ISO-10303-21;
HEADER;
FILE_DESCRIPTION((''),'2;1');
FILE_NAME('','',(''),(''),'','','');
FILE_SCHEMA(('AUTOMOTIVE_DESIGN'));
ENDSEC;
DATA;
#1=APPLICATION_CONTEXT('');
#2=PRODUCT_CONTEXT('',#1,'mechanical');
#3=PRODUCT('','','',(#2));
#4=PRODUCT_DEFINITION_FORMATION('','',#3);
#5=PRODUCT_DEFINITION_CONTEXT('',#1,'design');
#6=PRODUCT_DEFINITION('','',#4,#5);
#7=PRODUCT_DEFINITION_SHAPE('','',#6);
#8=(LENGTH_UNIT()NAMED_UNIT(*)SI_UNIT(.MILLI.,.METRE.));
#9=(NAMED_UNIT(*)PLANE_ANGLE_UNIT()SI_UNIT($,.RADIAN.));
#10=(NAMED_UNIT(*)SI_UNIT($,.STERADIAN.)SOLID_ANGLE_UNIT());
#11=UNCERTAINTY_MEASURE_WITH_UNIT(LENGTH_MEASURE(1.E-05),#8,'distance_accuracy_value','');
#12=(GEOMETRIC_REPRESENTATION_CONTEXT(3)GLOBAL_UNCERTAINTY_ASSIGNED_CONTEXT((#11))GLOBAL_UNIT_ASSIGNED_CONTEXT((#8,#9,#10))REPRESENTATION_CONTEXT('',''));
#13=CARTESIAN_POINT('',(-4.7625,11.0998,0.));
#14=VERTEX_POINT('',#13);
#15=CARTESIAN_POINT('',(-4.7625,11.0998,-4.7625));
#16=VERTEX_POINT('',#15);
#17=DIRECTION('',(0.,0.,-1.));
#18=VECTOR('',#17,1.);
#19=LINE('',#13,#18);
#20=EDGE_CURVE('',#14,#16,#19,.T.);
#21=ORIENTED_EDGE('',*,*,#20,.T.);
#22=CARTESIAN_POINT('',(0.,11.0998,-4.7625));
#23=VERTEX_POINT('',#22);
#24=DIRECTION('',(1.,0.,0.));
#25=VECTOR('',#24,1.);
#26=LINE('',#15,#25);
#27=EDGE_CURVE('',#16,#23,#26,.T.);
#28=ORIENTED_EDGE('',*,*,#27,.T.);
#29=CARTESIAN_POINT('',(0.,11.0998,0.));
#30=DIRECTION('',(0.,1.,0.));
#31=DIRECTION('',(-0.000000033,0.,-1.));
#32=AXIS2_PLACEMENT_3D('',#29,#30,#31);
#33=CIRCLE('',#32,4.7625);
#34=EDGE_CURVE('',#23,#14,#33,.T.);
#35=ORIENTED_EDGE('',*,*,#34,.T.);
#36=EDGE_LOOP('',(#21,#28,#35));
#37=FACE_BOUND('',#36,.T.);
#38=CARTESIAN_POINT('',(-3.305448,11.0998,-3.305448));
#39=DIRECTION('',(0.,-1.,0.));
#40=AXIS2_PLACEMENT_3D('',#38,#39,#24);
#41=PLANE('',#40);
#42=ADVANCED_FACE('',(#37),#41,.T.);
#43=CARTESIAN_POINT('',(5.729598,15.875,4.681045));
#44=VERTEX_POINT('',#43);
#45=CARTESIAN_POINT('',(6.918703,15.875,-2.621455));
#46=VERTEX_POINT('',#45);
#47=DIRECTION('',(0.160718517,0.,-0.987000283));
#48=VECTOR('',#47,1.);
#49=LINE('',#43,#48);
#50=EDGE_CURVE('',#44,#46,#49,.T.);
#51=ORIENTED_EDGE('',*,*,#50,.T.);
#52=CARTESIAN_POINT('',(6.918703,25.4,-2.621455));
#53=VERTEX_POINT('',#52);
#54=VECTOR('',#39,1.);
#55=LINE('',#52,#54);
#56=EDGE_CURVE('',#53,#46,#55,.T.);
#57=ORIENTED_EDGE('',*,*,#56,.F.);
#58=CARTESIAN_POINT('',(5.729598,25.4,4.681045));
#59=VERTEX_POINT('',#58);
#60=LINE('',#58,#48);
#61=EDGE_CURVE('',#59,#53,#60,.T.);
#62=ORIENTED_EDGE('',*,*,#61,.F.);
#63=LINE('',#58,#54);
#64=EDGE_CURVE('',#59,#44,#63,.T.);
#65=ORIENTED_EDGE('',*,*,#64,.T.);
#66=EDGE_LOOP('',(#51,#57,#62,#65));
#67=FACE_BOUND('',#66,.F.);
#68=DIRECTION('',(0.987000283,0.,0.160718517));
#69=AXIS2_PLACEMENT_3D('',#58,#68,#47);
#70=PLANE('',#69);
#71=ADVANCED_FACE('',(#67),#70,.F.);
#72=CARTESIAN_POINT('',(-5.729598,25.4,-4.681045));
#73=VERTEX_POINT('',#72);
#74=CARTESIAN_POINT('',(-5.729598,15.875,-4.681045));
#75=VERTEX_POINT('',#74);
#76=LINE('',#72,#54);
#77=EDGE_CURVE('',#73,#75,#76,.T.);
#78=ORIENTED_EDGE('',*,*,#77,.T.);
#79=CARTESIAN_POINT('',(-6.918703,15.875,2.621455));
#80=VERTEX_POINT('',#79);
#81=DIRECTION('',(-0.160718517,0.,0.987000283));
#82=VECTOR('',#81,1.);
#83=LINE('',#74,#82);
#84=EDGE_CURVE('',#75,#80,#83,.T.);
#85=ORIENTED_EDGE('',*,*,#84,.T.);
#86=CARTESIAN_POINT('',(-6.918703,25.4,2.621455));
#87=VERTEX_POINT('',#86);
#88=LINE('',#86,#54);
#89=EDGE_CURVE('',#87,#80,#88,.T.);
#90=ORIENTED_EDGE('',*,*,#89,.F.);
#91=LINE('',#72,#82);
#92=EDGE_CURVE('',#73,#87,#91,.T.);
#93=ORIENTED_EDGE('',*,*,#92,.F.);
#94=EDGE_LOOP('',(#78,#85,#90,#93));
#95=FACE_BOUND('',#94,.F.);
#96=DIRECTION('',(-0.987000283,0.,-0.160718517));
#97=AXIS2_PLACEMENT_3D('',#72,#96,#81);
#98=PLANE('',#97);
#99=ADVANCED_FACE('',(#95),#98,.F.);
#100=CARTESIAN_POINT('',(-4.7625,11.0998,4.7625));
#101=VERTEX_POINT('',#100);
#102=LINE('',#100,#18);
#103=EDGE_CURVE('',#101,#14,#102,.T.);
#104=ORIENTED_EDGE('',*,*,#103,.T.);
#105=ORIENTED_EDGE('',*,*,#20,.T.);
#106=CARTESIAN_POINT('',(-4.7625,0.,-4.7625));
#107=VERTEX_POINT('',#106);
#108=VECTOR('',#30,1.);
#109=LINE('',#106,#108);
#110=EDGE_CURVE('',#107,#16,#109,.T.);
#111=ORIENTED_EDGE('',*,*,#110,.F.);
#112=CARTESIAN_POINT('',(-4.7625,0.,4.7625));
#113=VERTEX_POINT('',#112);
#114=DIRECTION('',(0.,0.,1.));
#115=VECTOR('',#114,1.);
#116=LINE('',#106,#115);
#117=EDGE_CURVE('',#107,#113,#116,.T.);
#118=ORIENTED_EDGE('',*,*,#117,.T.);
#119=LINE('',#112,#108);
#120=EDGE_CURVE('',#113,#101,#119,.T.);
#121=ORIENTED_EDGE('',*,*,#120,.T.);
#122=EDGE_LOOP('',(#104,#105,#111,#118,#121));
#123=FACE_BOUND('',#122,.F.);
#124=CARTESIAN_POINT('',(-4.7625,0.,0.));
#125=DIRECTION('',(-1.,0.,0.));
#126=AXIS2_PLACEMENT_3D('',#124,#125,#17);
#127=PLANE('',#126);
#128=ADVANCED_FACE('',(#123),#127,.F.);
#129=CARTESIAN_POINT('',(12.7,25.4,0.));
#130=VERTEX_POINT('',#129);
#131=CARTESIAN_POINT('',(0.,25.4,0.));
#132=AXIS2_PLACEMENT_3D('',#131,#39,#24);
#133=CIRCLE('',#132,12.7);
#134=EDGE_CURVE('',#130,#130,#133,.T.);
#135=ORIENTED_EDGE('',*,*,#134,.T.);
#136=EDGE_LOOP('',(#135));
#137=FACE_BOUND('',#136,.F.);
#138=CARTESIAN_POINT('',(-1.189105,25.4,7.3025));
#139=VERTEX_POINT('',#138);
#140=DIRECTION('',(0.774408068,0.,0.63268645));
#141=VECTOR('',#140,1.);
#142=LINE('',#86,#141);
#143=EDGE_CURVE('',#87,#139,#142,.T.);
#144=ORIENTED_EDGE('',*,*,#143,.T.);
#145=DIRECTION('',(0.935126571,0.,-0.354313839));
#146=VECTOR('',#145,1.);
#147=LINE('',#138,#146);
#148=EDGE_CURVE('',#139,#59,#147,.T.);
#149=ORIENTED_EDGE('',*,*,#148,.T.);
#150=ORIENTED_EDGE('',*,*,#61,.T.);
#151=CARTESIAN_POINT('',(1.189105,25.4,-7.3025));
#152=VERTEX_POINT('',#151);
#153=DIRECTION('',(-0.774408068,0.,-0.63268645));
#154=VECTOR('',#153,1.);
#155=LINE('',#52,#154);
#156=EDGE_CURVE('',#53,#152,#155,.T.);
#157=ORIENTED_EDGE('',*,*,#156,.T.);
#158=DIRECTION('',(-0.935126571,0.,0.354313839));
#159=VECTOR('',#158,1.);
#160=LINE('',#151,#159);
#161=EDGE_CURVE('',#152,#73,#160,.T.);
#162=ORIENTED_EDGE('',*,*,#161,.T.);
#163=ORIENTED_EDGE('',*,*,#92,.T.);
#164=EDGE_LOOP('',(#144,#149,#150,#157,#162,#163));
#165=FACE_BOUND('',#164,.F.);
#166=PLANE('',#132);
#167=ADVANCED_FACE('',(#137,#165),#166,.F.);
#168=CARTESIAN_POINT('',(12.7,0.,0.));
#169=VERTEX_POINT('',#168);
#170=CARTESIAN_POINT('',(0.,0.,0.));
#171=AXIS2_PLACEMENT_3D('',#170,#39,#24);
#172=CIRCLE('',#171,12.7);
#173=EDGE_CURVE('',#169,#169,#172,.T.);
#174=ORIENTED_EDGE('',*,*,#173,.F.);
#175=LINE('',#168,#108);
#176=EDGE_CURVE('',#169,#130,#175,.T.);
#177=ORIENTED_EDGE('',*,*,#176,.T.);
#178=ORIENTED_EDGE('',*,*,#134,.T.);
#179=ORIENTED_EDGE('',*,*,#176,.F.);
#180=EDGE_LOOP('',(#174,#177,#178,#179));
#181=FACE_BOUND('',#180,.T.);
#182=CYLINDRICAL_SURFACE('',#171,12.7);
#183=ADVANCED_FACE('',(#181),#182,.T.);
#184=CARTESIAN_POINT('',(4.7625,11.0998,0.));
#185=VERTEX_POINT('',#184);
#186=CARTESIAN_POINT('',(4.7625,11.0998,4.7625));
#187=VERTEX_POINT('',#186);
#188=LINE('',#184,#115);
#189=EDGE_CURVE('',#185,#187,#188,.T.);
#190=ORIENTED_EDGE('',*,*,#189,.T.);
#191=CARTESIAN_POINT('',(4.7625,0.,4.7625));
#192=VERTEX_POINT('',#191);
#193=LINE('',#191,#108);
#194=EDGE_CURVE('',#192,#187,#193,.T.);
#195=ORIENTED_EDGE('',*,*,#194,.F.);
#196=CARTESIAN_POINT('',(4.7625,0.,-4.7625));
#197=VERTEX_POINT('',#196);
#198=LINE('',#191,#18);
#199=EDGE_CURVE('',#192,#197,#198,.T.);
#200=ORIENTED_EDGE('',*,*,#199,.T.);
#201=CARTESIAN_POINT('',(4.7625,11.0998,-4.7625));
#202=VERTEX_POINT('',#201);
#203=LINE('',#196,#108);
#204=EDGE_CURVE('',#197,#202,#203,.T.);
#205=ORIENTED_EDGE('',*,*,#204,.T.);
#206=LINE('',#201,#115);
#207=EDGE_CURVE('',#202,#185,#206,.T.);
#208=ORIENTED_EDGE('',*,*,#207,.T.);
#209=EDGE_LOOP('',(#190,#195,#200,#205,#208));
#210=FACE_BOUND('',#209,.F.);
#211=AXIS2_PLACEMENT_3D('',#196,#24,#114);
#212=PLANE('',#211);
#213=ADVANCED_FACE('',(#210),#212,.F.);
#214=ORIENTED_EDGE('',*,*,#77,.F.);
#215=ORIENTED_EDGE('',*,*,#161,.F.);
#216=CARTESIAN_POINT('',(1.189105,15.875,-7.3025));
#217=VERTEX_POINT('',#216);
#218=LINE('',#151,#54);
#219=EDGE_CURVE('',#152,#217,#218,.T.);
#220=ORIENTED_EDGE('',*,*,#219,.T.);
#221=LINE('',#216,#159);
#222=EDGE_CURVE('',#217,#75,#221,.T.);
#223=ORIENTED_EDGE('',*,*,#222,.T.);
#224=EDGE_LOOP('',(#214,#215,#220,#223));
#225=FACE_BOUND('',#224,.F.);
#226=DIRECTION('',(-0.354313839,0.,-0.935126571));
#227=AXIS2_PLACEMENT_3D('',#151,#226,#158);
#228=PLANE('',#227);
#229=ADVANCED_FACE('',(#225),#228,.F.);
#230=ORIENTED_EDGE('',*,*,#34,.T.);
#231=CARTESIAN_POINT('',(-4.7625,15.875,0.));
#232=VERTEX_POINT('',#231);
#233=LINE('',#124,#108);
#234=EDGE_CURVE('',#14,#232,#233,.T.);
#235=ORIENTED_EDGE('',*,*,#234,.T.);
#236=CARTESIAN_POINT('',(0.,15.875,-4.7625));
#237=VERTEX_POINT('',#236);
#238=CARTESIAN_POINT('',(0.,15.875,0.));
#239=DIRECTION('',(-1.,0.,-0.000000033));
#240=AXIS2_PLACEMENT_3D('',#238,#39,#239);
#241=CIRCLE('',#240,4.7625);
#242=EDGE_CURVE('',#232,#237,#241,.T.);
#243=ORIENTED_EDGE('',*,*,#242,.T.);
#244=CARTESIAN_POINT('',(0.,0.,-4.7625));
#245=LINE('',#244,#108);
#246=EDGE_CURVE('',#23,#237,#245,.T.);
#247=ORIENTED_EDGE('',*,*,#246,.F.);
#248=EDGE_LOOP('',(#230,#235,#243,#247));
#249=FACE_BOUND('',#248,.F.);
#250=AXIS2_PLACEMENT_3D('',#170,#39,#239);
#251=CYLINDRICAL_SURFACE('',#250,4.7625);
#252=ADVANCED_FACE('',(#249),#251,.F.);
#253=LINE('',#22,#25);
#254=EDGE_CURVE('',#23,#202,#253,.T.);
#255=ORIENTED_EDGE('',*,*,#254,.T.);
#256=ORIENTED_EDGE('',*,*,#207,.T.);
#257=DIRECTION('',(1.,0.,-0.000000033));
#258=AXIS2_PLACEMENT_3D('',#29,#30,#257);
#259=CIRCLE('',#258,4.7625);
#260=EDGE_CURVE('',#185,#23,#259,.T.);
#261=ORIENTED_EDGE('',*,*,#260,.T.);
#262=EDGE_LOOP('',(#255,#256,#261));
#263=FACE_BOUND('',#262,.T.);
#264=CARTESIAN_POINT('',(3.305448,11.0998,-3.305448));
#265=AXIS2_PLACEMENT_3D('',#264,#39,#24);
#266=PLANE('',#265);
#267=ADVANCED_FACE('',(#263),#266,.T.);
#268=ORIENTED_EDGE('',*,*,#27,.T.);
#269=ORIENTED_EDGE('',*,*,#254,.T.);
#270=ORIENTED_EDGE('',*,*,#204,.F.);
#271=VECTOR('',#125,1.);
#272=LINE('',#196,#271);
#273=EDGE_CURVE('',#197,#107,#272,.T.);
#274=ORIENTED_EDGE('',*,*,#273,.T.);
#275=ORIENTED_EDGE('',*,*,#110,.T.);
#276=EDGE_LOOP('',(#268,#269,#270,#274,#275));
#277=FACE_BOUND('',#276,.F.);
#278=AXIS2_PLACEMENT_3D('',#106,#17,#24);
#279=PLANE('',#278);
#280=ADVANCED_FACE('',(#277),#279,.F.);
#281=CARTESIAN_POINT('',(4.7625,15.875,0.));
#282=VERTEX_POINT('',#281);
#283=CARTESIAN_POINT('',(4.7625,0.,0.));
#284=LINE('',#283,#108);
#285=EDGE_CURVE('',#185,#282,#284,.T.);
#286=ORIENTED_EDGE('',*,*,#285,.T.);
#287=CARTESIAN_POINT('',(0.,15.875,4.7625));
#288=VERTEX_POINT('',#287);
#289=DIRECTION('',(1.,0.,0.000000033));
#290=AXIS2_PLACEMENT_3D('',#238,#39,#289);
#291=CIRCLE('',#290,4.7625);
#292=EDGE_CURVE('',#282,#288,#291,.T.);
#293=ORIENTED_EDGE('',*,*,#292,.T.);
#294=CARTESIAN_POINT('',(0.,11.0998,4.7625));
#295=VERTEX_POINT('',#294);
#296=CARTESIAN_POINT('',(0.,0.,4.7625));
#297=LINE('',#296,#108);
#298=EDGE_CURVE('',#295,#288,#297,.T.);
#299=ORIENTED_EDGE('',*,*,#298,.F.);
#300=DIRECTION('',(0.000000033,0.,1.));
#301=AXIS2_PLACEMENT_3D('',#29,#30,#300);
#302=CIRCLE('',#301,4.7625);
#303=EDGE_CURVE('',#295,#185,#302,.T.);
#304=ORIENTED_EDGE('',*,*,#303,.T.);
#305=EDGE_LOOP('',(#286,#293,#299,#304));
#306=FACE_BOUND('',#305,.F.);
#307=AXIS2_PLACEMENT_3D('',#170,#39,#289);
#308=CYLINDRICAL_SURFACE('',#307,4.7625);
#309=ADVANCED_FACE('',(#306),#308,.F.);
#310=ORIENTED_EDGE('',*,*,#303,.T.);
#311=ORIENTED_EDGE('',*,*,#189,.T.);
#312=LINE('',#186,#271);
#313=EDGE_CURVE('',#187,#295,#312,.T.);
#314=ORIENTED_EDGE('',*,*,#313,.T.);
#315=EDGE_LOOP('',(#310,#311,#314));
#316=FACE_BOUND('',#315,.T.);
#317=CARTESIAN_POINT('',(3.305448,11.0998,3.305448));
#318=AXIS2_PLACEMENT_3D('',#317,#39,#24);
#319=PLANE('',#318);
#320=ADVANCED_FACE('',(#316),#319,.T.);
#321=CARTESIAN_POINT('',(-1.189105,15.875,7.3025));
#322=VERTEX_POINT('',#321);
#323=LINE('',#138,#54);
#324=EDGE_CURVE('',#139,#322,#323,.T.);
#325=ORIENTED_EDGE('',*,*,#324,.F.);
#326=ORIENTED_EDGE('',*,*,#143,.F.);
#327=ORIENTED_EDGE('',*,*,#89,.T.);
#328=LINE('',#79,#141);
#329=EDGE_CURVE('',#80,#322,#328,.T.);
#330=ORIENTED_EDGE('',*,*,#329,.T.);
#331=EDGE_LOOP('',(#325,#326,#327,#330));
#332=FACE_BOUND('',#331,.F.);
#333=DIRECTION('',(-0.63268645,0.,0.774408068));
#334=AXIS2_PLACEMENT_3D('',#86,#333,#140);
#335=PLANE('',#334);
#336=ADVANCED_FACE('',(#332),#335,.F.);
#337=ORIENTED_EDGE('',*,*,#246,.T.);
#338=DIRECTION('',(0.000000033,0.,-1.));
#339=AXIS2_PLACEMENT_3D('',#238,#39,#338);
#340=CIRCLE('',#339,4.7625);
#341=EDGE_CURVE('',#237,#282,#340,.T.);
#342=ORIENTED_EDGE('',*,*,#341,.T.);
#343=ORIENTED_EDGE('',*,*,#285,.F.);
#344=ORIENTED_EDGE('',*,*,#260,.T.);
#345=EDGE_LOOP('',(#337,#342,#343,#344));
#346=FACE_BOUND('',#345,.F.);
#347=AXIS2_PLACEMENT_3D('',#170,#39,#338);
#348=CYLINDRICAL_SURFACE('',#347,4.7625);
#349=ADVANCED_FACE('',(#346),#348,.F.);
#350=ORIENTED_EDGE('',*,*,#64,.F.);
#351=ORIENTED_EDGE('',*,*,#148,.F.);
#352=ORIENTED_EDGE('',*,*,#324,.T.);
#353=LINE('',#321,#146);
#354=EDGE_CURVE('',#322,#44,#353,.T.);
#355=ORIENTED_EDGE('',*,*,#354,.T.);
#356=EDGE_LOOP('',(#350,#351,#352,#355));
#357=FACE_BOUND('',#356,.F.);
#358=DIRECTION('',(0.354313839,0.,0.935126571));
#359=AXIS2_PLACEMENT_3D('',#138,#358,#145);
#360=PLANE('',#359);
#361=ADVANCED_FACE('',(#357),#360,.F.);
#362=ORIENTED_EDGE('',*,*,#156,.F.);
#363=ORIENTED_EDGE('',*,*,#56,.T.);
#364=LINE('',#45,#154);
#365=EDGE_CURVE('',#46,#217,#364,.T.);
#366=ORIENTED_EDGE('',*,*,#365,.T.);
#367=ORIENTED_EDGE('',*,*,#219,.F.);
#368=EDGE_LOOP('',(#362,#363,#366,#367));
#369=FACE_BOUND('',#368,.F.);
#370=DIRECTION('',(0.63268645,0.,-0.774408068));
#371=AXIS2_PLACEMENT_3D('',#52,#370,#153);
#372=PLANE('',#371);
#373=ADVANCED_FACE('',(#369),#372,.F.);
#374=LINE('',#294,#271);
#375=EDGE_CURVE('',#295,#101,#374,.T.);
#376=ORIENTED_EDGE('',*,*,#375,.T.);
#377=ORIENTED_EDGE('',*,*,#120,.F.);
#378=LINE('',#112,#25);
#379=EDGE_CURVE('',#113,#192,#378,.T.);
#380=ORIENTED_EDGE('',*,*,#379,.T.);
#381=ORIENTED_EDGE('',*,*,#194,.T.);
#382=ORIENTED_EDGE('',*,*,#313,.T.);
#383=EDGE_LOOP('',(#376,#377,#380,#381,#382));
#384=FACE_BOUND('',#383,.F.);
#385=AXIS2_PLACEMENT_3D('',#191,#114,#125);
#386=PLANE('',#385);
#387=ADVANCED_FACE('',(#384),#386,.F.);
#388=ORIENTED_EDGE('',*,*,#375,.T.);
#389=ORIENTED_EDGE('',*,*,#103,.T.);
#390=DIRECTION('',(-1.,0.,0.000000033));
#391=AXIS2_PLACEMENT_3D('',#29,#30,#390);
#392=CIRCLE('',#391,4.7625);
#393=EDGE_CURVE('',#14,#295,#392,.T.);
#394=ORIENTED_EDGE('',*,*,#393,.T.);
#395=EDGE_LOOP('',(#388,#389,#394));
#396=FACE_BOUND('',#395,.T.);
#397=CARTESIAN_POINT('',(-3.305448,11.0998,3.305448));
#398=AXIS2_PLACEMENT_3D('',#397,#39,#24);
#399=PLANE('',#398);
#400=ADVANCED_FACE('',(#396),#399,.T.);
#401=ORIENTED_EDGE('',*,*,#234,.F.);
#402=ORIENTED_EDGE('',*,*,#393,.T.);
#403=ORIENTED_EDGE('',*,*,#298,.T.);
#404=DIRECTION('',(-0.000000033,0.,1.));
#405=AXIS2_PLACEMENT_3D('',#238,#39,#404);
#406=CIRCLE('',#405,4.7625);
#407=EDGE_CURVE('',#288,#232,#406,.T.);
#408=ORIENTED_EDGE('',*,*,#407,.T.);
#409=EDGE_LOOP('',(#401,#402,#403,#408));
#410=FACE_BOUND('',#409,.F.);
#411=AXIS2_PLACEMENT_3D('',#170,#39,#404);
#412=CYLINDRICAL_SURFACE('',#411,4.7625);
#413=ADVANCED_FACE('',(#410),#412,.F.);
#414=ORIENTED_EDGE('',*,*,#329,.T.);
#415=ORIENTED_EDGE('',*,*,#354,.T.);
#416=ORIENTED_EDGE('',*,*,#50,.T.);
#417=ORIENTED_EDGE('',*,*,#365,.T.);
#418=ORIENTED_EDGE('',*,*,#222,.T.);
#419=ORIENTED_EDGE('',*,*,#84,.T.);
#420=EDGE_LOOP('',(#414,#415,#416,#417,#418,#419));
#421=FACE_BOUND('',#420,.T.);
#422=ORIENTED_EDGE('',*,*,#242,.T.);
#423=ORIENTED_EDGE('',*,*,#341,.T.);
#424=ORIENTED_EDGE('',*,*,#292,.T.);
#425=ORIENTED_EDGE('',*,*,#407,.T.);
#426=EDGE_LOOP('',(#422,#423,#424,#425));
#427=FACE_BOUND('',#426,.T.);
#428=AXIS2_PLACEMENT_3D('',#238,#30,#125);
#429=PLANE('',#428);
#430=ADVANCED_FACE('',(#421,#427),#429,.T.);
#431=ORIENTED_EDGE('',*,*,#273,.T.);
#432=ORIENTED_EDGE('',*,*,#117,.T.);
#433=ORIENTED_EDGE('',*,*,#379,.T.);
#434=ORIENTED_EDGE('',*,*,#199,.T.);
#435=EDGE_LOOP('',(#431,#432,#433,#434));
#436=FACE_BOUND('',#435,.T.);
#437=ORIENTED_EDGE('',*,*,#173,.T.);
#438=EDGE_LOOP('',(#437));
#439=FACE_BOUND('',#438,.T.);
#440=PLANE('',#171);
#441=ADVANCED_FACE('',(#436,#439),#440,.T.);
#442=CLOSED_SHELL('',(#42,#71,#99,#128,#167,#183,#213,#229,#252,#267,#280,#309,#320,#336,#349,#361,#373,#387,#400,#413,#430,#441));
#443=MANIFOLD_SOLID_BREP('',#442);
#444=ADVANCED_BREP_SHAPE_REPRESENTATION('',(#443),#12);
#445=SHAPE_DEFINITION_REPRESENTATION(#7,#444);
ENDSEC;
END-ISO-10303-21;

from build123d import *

# Parameters (mm, degrees)
F0_R     = 12.7
F1_DEPTH = 25.4
F3_DEPTH = 25.401
F4_DEPTH = 11.0998
F6_DEPTH = 9.525


with BuildPart() as f1:
    # F0 (on Front) → F1 (new body)
    with BuildSketch(Plane.XZ):
        Circle(F0_R)
    extrude(amount=-F1_DEPTH)

    # F2 (on Front) → F3 (cut, through all)
    with BuildSketch(Plane.XZ):
        with BuildLine():
            ThreePointArc((-4.7625, 0), (-3.367596, -3.367596), (0, -4.7625))
            ThreePointArc((0, -4.7625), (3.367596, -3.367596), (4.7625, 0))
            ThreePointArc((4.7625, 0), (3.367596, 3.367596), (0, 4.7625))
            ThreePointArc((0, 4.7625), (-3.367596, 3.367596), (-4.7625, 0))
        make_face()
    extrude(amount=-F3_DEPTH, mode=Mode.SUBTRACT)

    # F2 (on Front) → F4 (cut)
    with BuildSketch(Plane.XZ):
        with BuildLine():
            Line((0, -4.7625), (4.7625, -4.7625))
            Line((4.7625, -4.7625), (4.7625, 0))
            ThreePointArc((4.7625, 0), (3.367596, -3.367596), (0, -4.7625))
        make_face()
        with BuildLine():
            Line((-4.7625, -4.7625), (0, -4.7625))
            ThreePointArc((0, -4.7625), (-3.367596, -3.367596), (-4.7625, 0))
            Line((-4.7625, 0), (-4.7625, -4.7625))
        make_face()
        with BuildLine():
            ThreePointArc((0, 4.7625), (3.367596, 3.367596), (4.7625, 0))
            Line((4.7625, 0), (4.7625, 4.7625))
            Line((4.7625, 4.7625), (0, 4.7625))
        make_face()
        with BuildLine():
            Line((-4.7625, 4.7625), (-4.7625, 0))
            ThreePointArc((-4.7625, 0), (-3.367596, 3.367596), (0, 4.7625))
            Line((0, 4.7625), (-4.7625, 4.7625))
        make_face()
    extrude(amount=-F4_DEPTH, mode=Mode.SUBTRACT)

    # F5 (on face) → F6 (cut)
    with BuildSketch(Plane(origin=(0, 25.4, 0), x_dir=(-1, 0, 0), z_dir=(0, 1, 0))):
        Polygon((-6.918703, -2.621455), (-1.189105, -7.3025), (5.729598, -4.681045), (6.918703, 2.621455), (1.189105, 7.3025), (-5.729598, 4.681045), align=None)
    extrude(amount=-F6_DEPTH, mode=Mode.SUBTRACT)


solid = f1.part
